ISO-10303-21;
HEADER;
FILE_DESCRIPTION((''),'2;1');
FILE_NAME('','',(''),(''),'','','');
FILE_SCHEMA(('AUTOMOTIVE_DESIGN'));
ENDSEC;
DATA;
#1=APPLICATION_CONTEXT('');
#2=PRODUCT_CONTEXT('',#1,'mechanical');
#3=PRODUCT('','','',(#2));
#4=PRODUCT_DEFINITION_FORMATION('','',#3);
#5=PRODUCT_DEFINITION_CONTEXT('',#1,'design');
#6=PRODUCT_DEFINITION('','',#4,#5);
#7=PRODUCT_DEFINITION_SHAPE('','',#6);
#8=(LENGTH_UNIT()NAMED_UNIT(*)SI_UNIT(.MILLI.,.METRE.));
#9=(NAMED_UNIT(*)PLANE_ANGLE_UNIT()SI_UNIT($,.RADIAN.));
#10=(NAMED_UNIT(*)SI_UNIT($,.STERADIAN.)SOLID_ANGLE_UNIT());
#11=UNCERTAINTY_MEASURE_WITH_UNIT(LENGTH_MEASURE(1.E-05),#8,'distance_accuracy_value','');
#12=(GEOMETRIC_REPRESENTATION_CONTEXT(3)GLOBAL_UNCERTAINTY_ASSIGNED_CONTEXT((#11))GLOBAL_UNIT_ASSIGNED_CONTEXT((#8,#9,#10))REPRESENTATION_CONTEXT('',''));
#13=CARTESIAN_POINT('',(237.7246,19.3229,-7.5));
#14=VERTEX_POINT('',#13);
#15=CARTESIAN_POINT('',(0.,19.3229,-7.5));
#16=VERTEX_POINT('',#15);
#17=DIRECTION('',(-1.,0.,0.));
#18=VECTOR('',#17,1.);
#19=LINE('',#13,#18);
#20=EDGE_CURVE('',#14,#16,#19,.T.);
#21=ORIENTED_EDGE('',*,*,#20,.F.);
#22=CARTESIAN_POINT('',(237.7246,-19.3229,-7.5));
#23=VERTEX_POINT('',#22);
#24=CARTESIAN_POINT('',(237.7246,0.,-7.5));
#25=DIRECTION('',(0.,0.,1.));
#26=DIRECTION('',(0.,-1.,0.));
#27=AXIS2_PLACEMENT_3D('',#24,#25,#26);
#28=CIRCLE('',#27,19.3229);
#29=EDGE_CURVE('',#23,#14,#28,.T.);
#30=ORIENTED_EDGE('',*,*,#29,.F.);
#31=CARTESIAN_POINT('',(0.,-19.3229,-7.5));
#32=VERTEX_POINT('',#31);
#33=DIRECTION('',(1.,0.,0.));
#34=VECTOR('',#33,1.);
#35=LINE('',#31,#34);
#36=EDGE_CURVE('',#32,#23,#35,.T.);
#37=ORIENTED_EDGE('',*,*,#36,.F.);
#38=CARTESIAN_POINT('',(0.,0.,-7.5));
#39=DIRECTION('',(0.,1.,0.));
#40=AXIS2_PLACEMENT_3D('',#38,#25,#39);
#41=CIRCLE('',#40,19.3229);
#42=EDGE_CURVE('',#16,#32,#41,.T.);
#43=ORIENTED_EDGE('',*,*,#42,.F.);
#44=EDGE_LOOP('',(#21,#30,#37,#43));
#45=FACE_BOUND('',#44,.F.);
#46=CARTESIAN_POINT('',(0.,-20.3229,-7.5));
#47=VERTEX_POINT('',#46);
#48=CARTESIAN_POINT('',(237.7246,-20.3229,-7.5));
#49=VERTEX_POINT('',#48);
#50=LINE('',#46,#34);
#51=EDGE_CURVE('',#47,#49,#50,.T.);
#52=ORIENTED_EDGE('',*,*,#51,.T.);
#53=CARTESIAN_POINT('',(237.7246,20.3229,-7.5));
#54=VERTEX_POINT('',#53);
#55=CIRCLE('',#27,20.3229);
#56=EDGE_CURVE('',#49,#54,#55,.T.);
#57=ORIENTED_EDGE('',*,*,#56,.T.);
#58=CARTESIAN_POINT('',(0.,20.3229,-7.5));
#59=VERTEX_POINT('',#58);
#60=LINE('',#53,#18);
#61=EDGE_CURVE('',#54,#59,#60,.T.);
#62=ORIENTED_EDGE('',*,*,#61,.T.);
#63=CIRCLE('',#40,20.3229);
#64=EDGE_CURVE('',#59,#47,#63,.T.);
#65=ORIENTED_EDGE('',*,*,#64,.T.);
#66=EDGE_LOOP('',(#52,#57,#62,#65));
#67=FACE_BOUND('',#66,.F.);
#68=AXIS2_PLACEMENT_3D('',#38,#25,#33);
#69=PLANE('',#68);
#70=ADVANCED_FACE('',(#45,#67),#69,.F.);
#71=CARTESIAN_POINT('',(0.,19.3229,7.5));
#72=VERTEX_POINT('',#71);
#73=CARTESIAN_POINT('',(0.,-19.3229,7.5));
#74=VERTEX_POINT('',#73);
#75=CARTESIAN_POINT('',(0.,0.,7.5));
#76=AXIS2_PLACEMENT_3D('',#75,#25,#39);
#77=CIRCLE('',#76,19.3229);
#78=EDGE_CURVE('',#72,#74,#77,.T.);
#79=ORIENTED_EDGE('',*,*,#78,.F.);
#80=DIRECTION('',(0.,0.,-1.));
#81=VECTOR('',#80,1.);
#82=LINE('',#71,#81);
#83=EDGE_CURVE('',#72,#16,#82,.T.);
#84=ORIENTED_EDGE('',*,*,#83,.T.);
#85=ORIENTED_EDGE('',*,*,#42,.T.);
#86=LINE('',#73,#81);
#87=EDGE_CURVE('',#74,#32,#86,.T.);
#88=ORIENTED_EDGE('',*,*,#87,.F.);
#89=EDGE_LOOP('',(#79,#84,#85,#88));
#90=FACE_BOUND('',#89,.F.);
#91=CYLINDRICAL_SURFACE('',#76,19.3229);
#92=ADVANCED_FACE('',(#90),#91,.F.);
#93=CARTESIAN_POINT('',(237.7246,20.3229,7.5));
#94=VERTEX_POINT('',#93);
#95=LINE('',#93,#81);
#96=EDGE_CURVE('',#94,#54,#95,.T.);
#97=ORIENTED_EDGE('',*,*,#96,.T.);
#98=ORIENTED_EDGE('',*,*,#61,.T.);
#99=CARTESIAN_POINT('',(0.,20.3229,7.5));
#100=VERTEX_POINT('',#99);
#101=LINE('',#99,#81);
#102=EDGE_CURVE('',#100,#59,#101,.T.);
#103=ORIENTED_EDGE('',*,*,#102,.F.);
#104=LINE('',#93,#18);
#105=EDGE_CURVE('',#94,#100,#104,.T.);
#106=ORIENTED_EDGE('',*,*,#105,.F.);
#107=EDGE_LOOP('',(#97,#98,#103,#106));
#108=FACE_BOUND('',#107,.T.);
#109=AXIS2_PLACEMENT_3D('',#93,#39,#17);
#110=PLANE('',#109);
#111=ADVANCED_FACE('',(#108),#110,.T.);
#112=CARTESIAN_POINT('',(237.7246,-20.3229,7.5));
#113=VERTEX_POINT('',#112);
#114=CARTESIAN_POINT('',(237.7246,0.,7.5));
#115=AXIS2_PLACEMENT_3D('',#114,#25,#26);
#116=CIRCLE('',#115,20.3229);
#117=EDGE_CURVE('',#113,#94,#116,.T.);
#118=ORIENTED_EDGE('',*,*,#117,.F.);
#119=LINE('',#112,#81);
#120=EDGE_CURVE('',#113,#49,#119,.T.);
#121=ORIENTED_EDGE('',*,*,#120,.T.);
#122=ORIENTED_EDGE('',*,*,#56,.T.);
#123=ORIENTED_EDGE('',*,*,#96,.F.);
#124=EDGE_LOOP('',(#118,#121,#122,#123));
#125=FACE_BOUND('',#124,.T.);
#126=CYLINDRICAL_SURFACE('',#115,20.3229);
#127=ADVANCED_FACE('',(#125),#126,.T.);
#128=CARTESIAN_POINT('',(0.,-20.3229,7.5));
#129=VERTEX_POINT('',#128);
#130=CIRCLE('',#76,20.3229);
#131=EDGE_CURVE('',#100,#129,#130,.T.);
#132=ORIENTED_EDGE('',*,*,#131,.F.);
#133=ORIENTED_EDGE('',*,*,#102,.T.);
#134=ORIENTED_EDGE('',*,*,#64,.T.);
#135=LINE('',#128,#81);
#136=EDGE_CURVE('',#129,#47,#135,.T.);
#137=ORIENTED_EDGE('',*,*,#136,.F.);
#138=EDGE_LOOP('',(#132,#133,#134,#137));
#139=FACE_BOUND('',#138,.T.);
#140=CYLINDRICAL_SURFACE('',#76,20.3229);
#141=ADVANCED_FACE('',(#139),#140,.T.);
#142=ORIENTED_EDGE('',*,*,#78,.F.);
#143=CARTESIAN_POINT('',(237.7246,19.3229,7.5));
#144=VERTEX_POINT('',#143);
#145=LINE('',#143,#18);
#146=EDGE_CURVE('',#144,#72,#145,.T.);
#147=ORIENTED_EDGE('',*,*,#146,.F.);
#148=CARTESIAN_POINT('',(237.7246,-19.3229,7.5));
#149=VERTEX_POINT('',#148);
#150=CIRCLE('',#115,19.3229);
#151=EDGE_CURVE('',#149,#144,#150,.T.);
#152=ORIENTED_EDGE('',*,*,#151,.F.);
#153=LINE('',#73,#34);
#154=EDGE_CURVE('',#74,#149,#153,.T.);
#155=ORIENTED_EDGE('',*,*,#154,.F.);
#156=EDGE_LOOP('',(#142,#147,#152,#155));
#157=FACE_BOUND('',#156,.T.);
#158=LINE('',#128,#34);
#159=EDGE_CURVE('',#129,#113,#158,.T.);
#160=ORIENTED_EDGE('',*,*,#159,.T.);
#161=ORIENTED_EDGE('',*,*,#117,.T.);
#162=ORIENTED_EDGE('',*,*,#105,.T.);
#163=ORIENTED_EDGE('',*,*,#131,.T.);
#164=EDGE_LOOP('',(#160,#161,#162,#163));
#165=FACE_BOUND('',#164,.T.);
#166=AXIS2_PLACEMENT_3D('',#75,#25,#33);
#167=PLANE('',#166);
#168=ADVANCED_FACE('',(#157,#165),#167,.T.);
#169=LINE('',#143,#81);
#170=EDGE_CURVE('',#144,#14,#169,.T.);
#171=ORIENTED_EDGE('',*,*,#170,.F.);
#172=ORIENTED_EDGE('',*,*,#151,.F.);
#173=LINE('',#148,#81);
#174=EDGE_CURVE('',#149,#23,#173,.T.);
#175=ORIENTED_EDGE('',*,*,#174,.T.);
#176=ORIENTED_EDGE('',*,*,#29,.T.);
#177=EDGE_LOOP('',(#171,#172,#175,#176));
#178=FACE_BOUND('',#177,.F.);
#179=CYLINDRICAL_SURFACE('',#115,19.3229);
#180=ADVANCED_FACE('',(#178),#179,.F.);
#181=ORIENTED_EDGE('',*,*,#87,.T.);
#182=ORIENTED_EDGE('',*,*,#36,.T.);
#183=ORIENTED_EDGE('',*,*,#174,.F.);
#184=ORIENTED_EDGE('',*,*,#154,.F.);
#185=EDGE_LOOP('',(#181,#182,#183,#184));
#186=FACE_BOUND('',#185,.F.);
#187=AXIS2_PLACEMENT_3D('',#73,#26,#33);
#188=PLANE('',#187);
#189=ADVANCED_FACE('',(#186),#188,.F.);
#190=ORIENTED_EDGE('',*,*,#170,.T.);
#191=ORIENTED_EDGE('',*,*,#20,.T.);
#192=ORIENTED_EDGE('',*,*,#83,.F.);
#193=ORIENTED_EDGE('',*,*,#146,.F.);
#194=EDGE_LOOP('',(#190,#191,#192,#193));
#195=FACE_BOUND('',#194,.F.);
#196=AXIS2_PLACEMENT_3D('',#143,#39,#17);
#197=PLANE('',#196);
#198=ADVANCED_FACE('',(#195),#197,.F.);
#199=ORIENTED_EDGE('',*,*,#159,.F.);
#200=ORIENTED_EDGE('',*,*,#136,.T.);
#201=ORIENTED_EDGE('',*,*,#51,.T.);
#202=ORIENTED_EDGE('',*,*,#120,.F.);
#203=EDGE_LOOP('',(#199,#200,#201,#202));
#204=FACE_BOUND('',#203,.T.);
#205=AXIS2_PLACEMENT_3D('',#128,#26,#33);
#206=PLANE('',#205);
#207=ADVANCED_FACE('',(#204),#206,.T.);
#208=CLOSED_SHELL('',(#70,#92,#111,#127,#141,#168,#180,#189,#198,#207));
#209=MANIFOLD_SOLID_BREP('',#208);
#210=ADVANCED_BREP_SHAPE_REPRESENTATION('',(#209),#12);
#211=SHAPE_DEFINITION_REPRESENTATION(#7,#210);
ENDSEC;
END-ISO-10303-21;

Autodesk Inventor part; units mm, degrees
sketch "Sketch1" plane through (0, 0, 0) normal (0, 0, 1) x (1, 0, 0)
  circle A0 centre (0, 0) radius 19.3229 construction
  arc A1 (0, 19.8229) -> (0, -19.8229) centre (0, 0) ccw construction
  line L0 (0, 19.8229) -> (237.7246, 19.8229) construction
  line L1 (0, -19.8229) -> (237.7246, -19.8229) construction
  arc A2 (237.7246, -19.8229) -> (237.7246, 19.8229) centre (237.7246, 0) ccw construction
  line L2 (237.7246, 19.3229) -> (0, 19.3229)
  arc A3 (0, 19.3229) -> (0, -19.3229) centre (0, 0) ccw
  line L3 (0, -19.3229) -> (237.7246, -19.3229)
  arc A4 (237.7246, -19.3229) -> (237.7246, 19.3229) centre (237.7246, 0) ccw
  line L4 (237.7246, 20.3229) -> (0, 20.3229)
  arc A5 (0, 20.3229) -> (0, -20.3229) centre (0, 0) ccw
  line L5 (0, -20.3229) -> (237.7246, -20.3229)
  arc A6 (237.7246, -20.3229) -> (237.7246, 20.3229) centre (237.7246, 0) ccw
  point P0 (0, 0)
  dimension "pitch_line_distance" = 0.5
  dimension "end_arc_length" = 62.2754
  dimension "d5" = 237.7246
  dimension "d6" = 0.5
  dimension "d7" = 0.5
ref_plane "Work Plane1" through (-31.1735, -31.1443, -7.5) normal (0, 0, -1) x (-0.3091, 0.951, 0)
ref_plane "Work Plane2" through (-25.9469, -25.926, 7.5) normal (0, 0, 1) x (0.9988, -0.0499, 0)
ref_plane "Work Plane3" through (-31.1735, -31.1443, -7.5) normal (0, 0, -1) x (-0.3091, 0.951, 0)
extrude "Extrusion2" add sketch "Sketch1" against normal up to surface (15 mm away) from surface at 7.5
equation "\"d5\" = 0.5 * length - end_arc_length"
equation "\"d6\" = pitch_line_distance"
equation "\"d7\" = pitch_line_distance"
equation "\"length\" = 600"
properties part number "Belt"
